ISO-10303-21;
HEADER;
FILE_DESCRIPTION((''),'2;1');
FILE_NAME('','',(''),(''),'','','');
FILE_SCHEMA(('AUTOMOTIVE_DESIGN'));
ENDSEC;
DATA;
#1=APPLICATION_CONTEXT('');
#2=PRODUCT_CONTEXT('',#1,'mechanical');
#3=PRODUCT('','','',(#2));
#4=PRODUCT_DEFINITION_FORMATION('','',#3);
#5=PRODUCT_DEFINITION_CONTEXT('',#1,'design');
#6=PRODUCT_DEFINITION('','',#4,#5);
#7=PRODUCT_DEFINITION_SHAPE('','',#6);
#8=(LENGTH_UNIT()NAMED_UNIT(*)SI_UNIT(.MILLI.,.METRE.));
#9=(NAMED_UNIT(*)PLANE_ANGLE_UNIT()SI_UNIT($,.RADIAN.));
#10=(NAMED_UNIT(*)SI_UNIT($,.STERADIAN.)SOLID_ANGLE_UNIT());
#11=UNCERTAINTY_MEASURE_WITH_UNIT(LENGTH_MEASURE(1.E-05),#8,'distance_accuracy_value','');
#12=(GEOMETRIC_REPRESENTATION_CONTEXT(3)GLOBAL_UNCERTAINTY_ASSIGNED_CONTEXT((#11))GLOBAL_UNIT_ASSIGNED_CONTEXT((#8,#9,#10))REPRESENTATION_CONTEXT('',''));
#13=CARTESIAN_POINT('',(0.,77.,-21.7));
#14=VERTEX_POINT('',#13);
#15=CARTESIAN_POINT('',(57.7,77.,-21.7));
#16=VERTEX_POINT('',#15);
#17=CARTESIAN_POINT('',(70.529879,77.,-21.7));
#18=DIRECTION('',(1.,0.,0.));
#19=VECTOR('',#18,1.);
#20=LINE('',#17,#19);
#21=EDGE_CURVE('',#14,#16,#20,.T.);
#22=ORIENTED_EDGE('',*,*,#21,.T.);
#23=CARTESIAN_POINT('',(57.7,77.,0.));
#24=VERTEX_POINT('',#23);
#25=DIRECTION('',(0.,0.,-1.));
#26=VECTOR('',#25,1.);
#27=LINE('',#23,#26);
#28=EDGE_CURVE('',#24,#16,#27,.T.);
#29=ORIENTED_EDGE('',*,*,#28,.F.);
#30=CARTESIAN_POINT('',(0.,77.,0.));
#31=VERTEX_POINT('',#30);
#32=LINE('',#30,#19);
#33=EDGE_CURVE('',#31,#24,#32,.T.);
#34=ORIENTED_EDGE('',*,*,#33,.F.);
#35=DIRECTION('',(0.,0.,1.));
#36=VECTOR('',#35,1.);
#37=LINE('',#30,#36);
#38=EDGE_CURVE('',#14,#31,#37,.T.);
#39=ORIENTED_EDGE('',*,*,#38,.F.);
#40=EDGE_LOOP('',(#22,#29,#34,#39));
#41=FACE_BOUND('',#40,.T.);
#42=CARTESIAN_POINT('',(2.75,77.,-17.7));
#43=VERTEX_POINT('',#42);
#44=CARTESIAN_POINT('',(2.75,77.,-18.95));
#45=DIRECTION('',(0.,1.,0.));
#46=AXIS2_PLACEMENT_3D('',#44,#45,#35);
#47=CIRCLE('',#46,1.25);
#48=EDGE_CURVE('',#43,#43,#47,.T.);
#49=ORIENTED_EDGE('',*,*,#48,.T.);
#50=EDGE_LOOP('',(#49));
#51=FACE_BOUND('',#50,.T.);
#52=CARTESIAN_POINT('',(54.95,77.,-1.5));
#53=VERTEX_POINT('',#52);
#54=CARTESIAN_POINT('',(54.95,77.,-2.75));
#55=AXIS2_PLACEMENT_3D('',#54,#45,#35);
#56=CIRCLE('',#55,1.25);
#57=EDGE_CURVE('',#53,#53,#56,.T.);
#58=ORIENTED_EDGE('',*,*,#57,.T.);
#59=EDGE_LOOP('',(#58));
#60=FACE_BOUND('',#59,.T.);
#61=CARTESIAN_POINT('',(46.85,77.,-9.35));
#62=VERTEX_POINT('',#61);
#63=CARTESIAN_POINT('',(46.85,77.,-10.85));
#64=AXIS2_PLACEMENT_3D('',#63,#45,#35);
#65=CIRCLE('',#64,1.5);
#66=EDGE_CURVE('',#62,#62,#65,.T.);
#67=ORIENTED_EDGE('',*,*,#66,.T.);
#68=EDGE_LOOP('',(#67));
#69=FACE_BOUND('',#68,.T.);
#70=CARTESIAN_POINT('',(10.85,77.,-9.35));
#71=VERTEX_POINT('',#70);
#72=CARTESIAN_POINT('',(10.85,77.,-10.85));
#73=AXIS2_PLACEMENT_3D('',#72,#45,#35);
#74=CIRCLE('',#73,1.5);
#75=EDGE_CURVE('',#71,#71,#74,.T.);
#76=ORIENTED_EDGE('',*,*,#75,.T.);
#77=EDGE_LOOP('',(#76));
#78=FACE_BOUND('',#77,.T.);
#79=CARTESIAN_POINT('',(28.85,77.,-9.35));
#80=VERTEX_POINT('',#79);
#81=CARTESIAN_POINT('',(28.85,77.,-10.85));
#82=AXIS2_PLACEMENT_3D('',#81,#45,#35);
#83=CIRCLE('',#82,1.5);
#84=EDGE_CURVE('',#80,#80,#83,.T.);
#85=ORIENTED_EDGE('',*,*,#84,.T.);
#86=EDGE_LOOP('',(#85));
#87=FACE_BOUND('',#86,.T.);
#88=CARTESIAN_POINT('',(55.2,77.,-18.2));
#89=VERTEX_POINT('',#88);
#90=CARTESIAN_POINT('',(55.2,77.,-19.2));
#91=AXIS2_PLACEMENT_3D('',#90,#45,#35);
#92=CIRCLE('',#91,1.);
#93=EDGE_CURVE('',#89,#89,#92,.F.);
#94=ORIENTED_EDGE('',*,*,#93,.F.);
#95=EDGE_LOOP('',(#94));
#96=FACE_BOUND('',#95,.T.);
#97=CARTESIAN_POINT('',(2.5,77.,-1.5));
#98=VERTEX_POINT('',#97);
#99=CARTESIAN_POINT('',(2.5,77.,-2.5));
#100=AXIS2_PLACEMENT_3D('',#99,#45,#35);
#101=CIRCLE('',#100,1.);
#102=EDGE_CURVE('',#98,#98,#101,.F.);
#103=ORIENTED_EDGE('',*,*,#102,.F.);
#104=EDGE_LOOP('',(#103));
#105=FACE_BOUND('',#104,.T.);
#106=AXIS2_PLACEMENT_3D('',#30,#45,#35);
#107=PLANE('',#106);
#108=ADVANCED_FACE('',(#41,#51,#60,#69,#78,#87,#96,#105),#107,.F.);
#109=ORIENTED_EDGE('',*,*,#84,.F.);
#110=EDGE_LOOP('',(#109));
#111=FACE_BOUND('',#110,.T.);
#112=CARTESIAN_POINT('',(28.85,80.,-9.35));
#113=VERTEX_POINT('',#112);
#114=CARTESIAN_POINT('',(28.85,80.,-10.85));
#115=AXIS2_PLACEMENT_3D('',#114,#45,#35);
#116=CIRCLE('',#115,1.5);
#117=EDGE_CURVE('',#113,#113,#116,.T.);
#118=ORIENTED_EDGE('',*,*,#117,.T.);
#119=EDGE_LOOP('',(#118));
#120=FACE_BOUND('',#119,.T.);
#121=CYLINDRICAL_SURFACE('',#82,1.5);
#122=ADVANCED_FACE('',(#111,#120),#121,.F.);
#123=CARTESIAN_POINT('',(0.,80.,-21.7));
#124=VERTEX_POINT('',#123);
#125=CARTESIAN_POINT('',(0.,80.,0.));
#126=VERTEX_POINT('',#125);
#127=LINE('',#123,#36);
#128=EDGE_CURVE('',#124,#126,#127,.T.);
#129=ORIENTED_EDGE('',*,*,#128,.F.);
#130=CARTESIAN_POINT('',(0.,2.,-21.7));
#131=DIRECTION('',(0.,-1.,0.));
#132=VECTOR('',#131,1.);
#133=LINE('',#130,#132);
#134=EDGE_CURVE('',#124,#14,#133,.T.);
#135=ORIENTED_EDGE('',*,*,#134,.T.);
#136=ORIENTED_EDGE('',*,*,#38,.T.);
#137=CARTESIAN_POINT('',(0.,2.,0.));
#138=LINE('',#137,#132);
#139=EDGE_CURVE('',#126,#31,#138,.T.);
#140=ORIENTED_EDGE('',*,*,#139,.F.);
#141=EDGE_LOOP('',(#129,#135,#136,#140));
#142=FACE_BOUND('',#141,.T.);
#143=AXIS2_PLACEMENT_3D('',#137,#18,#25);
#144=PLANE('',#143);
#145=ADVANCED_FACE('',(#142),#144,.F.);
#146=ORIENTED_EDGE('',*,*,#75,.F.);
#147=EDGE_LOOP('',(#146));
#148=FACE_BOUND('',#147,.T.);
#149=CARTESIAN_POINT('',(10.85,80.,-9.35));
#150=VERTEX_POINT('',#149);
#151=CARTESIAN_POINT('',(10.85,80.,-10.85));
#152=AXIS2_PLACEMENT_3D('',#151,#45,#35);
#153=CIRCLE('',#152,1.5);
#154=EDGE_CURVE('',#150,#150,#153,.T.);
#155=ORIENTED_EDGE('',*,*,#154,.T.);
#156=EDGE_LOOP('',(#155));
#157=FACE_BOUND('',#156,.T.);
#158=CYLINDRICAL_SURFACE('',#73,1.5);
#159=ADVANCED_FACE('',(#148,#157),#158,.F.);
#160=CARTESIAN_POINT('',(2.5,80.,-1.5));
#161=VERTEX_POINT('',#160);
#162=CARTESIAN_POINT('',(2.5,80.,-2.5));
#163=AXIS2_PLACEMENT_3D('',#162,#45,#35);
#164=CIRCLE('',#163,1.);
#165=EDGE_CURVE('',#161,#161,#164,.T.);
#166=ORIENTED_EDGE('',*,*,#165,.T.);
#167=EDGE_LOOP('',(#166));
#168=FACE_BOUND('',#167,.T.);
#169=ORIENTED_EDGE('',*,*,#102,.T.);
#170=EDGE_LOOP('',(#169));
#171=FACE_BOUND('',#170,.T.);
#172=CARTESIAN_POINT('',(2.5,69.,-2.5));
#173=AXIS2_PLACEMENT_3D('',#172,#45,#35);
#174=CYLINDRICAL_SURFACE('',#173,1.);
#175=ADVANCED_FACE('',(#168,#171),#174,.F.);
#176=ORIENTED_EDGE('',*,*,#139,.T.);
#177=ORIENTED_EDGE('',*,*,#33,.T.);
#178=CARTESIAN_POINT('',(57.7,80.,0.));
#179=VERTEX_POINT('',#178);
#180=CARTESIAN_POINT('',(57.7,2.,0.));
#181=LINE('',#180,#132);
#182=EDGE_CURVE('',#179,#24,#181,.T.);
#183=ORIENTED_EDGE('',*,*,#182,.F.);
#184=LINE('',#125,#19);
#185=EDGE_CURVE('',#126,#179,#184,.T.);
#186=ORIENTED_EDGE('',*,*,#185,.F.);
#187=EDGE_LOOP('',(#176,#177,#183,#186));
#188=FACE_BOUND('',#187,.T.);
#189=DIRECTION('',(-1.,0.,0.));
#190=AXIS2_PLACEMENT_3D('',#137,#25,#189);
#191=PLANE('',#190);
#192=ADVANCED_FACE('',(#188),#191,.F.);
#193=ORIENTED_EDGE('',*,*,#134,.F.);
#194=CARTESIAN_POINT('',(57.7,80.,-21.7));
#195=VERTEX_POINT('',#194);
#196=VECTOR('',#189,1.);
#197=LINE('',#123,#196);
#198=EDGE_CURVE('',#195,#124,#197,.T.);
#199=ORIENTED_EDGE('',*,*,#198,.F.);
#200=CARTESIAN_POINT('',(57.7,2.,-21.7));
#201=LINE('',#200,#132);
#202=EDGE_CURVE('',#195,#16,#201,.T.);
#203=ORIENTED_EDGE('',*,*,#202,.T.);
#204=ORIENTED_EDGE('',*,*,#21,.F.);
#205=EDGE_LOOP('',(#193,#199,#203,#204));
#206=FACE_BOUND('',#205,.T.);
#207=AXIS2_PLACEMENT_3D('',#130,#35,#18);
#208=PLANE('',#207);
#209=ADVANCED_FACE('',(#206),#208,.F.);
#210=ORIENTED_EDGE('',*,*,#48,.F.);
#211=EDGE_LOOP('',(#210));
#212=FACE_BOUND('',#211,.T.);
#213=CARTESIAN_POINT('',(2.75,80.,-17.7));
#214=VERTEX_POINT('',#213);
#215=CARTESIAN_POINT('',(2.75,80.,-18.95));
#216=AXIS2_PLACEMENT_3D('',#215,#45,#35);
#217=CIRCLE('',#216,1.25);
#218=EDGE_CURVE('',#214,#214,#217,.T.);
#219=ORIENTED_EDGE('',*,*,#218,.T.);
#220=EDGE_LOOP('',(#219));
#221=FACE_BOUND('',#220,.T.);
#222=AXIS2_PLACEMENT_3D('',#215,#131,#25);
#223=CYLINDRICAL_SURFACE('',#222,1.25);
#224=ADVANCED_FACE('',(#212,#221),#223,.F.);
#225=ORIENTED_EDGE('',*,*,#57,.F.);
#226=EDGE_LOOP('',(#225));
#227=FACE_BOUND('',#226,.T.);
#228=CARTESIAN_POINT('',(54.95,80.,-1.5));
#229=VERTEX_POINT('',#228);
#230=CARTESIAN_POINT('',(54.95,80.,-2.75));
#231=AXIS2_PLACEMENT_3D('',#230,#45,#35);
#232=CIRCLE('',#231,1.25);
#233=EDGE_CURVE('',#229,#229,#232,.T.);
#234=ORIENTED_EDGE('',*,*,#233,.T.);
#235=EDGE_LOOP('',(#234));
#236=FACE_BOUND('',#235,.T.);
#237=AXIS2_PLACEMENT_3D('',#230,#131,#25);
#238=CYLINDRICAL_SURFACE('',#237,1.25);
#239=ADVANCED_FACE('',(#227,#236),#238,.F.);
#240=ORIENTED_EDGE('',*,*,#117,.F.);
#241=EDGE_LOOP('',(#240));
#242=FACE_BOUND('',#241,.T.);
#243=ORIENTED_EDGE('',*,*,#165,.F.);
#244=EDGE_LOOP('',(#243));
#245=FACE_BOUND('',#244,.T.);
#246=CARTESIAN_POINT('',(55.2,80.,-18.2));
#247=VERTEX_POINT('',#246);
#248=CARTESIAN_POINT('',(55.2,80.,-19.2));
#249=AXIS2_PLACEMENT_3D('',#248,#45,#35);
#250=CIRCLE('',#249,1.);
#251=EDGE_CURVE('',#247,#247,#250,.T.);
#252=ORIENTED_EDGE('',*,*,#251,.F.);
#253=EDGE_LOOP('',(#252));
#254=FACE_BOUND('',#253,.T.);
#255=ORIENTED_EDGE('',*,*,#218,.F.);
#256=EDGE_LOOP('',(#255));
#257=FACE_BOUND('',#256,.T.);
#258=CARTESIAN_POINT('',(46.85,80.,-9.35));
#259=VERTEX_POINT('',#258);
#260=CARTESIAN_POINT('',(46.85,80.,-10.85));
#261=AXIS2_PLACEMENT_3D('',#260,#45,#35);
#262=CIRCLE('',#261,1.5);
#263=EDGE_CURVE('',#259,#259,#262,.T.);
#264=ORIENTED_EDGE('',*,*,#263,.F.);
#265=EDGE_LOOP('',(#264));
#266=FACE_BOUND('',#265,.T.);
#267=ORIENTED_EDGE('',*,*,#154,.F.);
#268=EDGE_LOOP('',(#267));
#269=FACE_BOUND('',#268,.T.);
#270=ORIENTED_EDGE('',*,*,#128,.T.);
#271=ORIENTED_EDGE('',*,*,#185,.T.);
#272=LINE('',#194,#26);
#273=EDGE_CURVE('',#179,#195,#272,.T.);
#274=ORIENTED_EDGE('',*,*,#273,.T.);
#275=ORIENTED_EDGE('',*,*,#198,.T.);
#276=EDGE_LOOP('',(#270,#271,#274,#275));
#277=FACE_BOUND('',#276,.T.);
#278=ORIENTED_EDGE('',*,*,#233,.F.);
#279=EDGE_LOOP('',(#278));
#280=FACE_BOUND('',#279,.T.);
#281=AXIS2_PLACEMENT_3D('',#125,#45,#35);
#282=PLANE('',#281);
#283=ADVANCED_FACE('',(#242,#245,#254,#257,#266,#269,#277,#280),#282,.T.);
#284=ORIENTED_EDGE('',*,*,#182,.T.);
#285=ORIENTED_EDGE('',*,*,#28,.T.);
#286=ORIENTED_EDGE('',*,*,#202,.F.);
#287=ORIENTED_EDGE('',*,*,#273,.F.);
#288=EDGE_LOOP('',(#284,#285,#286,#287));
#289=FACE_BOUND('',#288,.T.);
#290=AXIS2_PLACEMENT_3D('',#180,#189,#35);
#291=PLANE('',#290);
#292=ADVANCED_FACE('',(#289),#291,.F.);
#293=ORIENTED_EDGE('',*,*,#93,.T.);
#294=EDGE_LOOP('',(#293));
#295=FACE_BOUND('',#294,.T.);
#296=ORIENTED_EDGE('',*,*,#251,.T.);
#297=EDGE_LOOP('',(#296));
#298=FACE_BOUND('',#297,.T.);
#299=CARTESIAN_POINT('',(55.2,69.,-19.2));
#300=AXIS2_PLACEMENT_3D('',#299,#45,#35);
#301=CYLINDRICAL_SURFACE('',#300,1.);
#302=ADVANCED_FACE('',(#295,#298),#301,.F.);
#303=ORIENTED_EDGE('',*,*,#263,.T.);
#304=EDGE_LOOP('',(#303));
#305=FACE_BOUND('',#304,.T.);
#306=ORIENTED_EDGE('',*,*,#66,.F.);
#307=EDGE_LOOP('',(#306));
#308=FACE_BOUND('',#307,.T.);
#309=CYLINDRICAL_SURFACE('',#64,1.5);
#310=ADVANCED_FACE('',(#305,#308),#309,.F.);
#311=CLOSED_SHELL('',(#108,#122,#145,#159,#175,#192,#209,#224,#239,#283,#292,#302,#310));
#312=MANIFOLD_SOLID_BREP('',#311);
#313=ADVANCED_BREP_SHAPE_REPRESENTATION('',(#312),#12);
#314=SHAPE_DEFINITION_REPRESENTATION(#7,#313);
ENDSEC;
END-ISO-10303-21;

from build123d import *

# Parameters (mm, degrees)
SKETCH1_W           = 57.7
SKETCH1_H           = 21.7
BOSS_EXTRUDE1_DEPTH = 2
SKETCH2_W           = 57.7
SKETCH2_H           = 21.7
SKETCH2_W_2         = 54.7
SKETCH2_H_2         = 18.7
BOSS_EXTRUDE2_DEPTH = 75
FILLET1_R           = 8
SKETCH3_W           = 38.583587397
SKETCH3_H           = 2.5
CUT_EXTRUDE1_DEPTH  = 75
SKETCH4_W           = 17.089400488
SKETCH4_H           = 2.5
CUT_EXTRUDE2_DEPTH  = 75
SKETCH5_R           = 1
CUT_EXTRUDE3_DEPTH  = 8
BOSS_EXTRUDE3_START = 3
SKETCH6_W           = 57.7
SKETCH6_H           = 21.7
SKETCH6_R           = 1
SKETCH6_R_2         = 1.25
BOSS_EXTRUDE3_DEPTH = 3
CUT_EXTRUDE4_DEPTH  = 3
CUT_EXTRUDE5_START  = -3
SKETCH8_R           = 1.5
CUT_EXTRUDE5_DEPTH  = 3
SKETCH9_W           = 91.990762183
SKETCH9_H           = 98.377858587
CUT_EXTRUDE7_DEPTH  = 69


with BuildPart() as part:
    # Sketch1 → Boss-Extrude1 (new body)
    with BuildSketch(Plane(origin=(0, 0, 0), x_dir=(1, 0, 0), z_dir=(0, 1, 0))):
        with Locations((28.85, 10.85)):
            Rectangle(SKETCH1_W, SKETCH1_H)
    extrude(amount=BOSS_EXTRUDE1_DEPTH)

    # Sketch2 → Boss-Extrude2 (add)
    with BuildSketch(Plane(origin=(0, 2, 0), x_dir=(1, 0, 0), z_dir=(0, 1, 0))):
        with Locations((28.85, 10.85)):
            Rectangle(SKETCH2_W, SKETCH2_H)
        with Locations((28.85, 10.85)):
            Rectangle(SKETCH2_W_2, SKETCH2_H_2, mode=Mode.SUBTRACT)
    extrude(amount=BOSS_EXTRUDE2_DEPTH)

    # Fillet1
    fillet1_edges = [part.edges().sort_by_distance(p)[0] for p in [
        (1.5, 39.5, -20.2),
        (1.5, 39.5, -1.5),
        (56.2, 39.5, -1.5),
        (56.2, 39.5, -20.2),
    ]]
    fillet(fillet1_edges, radius=FILLET1_R)

    # Sketch3 → Cut-Extrude1 (cut)
    with BuildSketch(Plane(origin=(0, 77, 0), x_dir=(1, 0, 0), z_dir=(0, 1, 0))):
        with Locations((20.791793699, 18.95)):
            Rectangle(SKETCH3_W, SKETCH3_H)
    extrude(amount=-CUT_EXTRUDE1_DEPTH, mode=Mode.SUBTRACT)

    # Sketch4 → Cut-Extrude2 (cut)
    with BuildSketch(Plane(origin=(0, 77, 0), x_dir=(1, 0, 0), z_dir=(0, 1, 0))):
        with Locations((47.655299756, 2.75)):
            Rectangle(SKETCH4_W, SKETCH4_H)
    extrude(amount=-CUT_EXTRUDE2_DEPTH, mode=Mode.SUBTRACT)

    # Sketch5 → Cut-Extrude3 (cut)
    with BuildSketch(Plane(origin=(0, 77, 0), x_dir=(1, 0, 0), z_dir=(0, 1, 0))):
        with Locations(Location((55.2, 19.2, 0), (0, 0, 270))):
            Circle(SKETCH5_R)
        with Locations(Location((2.5, 2.5, 0), (0, 0, 270))):
            Circle(SKETCH5_R)
    extrude(amount=-CUT_EXTRUDE3_DEPTH, mode=Mode.SUBTRACT)

    # Sketch6 → Boss-Extrude3 (add)
    with BuildSketch(Plane(origin=(0, 77, 0), x_dir=(1, 0, 0), z_dir=(0, 1, 0)).offset(BOSS_EXTRUDE3_START)):
        with Locations((28.85, 10.85)):
            Rectangle(SKETCH6_W, SKETCH6_H)
        with Locations(Location((2.5, 2.5, 0), (0, 0, 270))):
            Circle(SKETCH6_R, mode=Mode.SUBTRACT)
        with Locations(Location((55.2, 19.2, 0), (0, 0, 270))):
            Circle(SKETCH6_R, mode=Mode.SUBTRACT)
        with Locations(Location((2.75, 18.95, 0), (0, 0, 270))):
            Circle(SKETCH6_R_2, mode=Mode.SUBTRACT)
        with Locations(Location((54.95, 2.75, 0), (0, 0, 270))):
            Circle(SKETCH6_R_2, mode=Mode.SUBTRACT)
    extrude(amount=-BOSS_EXTRUDE3_DEPTH)

    # Sketch7 → Cut-Extrude4 (cut)
    with BuildSketch(Plane(origin=(0, 80, 0), x_dir=(1, 0, 0), z_dir=(0, 1, 0))):
        with BuildLine():
            ThreePointArc((9.35, 10.85), (10.85, 9.35), (12.35, 10.85))
            Line((12.35, 10.85), (10.85, 10.85))
            Line((10.85, 10.85), (9.35, 10.85))
        make_face()
        with BuildLine():
            Line((10.85, 10.85), (12.35, 10.85))
            ThreePointArc((12.35, 10.85), (10.85, 12.35), (9.35, 10.85))
            Line((9.35, 10.85), (10.85, 10.85))
        make_face()
        with BuildLine():
            ThreePointArc((27.35, 10.85), (28.85, 9.35), (30.35, 10.85))
            Line((30.35, 10.85), (28.85, 10.85))
            Line((28.85, 10.85), (27.35, 10.85))
        make_face()
        with BuildLine():
            Line((28.85, 10.85), (30.35, 10.85))
            ThreePointArc((30.35, 10.85), (28.85, 12.35), (27.35, 10.85))
            Line((27.35, 10.85), (28.85, 10.85))
        make_face()
        with BuildLine():
            ThreePointArc((45.35, 10.85), (46.85, 9.35), (48.35, 10.85))
            Line((48.35, 10.85), (46.85, 10.85))
            Line((46.85, 10.85), (45.35, 10.85))
        make_face()
        with BuildLine():
            Line((46.85, 10.85), (48.35, 10.85))
            ThreePointArc((48.35, 10.85), (46.85, 12.35), (45.35, 10.85))
            Line((45.35, 10.85), (46.85, 10.85))
        make_face()
    extrude(amount=-CUT_EXTRUDE4_DEPTH, mode=Mode.SUBTRACT)

    # Sketch8 → Cut-Extrude5 (cut)
    with BuildSketch(Plane.XZ.offset(CUT_EXTRUDE5_START)):
        with Locations(Location((10.85, -10.85, 0), (0, 0, 90))):
            Circle(SKETCH8_R)
        with Locations(Location((28.85, -10.85, 0), (0, 0, 90))):
            Circle(SKETCH8_R)
        with Locations(Location((46.85, -10.85, 0), (0, 0, 90))):
            Circle(SKETCH8_R)
    extrude(amount=CUT_EXTRUDE5_DEPTH, mode=Mode.SUBTRACT)

    # Sketch9 → Cut-Extrude7 (cut)
    with BuildSketch(Plane(origin=(0, 0, -21.7), x_dir=(-1, 0, 0), z_dir=(0, 0, -1))):
        with Locations((-24.534497704, 27.811070706)):
            Rectangle(SKETCH9_W, SKETCH9_H)
    extrude(amount=-CUT_EXTRUDE7_DEPTH, mode=Mode.SUBTRACT)


solid = part.part
